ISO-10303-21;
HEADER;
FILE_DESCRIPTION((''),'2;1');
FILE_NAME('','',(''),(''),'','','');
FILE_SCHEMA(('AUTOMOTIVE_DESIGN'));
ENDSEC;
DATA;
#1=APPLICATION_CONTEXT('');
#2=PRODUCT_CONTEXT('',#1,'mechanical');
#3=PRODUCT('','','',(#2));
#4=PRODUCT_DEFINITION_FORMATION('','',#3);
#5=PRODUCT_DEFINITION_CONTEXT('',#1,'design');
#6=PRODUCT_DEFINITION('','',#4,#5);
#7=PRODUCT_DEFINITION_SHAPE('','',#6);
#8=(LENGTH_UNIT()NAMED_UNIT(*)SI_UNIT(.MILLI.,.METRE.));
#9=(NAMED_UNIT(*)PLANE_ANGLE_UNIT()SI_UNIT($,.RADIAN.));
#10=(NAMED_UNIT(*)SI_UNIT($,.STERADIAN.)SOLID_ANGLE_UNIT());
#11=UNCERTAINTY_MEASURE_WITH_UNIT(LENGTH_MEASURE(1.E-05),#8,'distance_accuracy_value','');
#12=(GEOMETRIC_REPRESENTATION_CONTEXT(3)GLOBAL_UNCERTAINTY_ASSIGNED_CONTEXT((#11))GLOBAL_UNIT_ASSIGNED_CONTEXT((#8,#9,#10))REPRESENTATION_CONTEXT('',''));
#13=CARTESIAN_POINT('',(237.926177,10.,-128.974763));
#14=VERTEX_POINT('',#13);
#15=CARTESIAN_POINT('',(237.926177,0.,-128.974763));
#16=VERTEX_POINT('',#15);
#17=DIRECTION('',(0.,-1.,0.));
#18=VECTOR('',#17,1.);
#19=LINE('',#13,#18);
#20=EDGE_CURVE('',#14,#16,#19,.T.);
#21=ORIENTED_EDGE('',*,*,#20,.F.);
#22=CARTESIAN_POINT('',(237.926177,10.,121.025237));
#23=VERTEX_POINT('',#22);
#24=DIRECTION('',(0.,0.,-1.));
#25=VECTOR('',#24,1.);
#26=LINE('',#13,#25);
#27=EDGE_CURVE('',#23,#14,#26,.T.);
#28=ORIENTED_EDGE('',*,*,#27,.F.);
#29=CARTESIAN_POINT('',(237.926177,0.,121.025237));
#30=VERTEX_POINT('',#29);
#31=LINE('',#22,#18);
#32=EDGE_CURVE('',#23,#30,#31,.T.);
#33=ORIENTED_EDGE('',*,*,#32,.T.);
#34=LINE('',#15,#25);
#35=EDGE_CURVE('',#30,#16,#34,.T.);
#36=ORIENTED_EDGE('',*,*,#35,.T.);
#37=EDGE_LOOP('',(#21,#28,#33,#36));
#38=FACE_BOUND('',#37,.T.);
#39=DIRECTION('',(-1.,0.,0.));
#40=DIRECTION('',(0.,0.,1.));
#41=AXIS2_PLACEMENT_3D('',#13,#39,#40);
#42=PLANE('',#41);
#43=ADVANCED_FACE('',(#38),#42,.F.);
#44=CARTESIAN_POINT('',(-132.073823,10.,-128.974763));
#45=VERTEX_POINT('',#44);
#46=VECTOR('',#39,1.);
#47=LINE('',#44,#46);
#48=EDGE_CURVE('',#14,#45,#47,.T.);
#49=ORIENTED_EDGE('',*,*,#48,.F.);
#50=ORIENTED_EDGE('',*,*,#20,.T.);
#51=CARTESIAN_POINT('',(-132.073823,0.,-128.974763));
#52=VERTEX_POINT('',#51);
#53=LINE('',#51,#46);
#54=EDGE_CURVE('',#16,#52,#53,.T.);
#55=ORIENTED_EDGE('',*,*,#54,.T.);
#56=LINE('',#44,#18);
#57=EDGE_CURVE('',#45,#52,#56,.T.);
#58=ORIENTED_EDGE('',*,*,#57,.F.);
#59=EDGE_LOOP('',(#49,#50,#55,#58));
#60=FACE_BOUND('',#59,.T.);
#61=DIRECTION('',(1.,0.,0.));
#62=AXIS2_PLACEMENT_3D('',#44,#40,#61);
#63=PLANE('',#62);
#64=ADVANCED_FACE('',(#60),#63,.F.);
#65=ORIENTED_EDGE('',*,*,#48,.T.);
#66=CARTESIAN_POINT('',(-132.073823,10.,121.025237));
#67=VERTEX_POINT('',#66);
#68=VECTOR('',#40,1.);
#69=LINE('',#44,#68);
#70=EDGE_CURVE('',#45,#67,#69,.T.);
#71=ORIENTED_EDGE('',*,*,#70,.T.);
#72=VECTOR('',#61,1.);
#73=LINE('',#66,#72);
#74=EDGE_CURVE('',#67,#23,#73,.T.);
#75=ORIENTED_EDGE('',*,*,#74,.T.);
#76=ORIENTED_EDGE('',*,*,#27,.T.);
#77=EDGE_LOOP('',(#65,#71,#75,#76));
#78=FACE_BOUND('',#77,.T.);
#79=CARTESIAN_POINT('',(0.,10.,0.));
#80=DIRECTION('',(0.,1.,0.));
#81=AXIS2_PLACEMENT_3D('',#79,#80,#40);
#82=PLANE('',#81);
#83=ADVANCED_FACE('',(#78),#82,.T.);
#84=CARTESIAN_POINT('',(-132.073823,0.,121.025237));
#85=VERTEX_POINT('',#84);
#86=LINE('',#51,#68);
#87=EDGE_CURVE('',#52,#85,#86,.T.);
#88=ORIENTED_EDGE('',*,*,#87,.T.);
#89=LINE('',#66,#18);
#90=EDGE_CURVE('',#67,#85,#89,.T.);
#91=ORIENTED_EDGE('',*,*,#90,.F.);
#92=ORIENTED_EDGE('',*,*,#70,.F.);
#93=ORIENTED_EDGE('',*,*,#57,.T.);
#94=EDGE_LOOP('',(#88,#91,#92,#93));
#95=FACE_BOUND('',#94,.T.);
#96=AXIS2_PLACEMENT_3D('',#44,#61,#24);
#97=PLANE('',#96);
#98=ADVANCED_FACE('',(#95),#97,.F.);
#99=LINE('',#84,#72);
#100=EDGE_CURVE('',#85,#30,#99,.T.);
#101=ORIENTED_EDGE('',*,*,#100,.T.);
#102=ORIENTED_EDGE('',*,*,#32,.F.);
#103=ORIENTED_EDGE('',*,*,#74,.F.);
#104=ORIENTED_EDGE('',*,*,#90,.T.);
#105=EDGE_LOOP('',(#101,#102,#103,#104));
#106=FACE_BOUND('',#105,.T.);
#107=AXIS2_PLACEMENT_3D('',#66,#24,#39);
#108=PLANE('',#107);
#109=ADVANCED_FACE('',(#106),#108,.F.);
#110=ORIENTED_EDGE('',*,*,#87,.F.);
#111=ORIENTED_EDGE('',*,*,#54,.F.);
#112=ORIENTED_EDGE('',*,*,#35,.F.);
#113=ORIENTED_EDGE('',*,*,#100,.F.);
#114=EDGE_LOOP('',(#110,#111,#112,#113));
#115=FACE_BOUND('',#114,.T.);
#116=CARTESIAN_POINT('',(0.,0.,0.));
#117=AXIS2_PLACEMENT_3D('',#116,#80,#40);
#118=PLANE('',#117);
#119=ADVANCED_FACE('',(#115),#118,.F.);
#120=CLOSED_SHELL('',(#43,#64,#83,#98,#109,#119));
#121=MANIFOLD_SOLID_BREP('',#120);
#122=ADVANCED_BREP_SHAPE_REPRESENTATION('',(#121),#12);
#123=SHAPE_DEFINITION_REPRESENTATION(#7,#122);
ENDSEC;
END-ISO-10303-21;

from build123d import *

# Parameters (mm, degrees)
IZIM2_W                     = 370
IZIM2_H                     = 250
Y_KSEKLIK_EKSTR_ZYON1_DEPTH = 10


with BuildPart() as part:
    # Çizim2 → Yükseklik-Ekstrüzyon1 (new body)
    with BuildSketch(Plane(origin=(0, 0, 0), x_dir=(1, 0, 0), z_dir=(0, 1, 0))):
        with Locations((52.926176947, 3.974763407)):
            Rectangle(IZIM2_W, IZIM2_H)
    extrude(amount=Y_KSEKLIK_EKSTR_ZYON1_DEPTH)


solid = part.part
